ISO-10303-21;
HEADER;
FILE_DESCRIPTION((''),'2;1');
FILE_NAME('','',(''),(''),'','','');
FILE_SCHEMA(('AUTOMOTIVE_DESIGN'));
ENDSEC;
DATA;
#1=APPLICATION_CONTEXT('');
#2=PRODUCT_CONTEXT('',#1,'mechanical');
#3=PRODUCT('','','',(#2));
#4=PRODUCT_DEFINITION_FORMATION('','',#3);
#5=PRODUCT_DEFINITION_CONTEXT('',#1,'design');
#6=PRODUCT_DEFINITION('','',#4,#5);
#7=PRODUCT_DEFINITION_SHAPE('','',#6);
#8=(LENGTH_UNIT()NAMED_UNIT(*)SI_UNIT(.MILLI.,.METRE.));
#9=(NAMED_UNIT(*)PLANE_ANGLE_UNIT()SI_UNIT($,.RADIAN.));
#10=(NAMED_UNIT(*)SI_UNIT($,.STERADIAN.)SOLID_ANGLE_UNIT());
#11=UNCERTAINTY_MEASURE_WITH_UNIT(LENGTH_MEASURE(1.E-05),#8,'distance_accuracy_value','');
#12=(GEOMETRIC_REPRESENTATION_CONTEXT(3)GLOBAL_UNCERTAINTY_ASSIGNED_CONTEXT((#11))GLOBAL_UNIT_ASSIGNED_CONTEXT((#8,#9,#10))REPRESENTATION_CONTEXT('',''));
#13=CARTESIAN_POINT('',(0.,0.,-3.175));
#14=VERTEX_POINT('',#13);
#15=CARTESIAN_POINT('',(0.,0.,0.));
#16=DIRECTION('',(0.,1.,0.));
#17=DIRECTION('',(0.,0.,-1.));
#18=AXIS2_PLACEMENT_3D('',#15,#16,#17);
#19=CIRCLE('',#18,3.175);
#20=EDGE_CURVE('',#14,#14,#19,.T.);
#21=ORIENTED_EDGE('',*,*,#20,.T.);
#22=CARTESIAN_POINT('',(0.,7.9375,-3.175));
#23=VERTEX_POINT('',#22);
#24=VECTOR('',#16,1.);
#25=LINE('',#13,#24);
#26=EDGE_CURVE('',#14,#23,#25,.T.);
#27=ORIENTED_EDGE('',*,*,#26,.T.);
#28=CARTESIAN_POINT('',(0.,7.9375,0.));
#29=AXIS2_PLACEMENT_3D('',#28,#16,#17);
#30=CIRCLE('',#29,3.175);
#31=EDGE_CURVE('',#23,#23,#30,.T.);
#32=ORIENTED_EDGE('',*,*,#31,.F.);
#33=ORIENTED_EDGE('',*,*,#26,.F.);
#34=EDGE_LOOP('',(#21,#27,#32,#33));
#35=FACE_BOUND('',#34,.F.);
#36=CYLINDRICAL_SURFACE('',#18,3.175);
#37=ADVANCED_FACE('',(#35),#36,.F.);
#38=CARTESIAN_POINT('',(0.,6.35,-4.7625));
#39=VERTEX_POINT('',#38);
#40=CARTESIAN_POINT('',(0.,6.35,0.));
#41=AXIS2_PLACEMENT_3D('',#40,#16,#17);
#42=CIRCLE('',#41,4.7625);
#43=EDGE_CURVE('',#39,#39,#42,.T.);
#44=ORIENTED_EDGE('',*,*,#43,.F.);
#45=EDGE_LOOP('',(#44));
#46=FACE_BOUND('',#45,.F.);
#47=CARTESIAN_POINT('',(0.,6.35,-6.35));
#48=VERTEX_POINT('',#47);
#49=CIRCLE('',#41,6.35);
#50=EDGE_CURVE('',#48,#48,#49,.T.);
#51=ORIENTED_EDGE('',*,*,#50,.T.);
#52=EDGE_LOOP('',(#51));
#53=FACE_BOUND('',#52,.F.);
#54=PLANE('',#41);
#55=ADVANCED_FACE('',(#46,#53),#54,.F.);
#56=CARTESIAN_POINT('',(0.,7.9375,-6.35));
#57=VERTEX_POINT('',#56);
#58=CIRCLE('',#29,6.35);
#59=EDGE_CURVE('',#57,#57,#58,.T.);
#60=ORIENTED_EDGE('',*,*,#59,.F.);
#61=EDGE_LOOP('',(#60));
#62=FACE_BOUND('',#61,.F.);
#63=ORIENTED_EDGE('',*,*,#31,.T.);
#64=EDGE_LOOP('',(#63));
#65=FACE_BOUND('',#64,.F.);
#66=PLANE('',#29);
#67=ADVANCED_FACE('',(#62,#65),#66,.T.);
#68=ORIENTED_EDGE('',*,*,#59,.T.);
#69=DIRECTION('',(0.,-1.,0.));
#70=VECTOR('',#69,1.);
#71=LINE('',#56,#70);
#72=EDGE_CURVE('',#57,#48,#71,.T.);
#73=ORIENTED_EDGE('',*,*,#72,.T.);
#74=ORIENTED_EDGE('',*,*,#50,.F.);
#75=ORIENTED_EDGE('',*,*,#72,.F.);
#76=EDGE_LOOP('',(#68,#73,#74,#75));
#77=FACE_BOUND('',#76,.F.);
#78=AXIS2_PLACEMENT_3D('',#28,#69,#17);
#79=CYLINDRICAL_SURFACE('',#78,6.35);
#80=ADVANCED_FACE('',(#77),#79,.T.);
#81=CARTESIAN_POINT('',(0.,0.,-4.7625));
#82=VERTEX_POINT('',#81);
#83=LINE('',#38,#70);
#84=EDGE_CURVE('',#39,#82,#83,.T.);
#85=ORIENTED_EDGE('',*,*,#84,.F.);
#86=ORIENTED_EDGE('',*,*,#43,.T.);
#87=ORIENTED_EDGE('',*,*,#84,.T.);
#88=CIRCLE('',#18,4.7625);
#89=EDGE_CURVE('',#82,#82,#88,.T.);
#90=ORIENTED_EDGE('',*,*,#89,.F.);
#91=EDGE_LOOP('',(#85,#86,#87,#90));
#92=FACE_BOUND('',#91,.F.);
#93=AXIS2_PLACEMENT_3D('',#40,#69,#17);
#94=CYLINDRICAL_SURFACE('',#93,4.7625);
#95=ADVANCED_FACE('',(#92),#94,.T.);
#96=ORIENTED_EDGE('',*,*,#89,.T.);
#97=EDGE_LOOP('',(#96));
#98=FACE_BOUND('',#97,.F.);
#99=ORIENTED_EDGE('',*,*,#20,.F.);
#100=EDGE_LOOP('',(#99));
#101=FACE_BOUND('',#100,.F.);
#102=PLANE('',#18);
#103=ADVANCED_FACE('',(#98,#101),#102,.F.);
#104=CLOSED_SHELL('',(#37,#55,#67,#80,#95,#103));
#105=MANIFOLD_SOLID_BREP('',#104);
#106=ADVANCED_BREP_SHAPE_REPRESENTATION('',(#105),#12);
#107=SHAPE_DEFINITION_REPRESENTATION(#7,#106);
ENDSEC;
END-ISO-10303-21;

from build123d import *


with BuildPart() as part:
    # Sketch1 → Revolve1 (revolve)
    with BuildSketch(Plane(origin=(0, 0, 0), x_dir=(0, 0, -1), z_dir=(1, 0, 0))):
        Polygon((3.175, 0), (3.175, 7.9375), (6.35, 7.9375), (6.35, 6.35), (4.7625, 6.35), (4.7625, 0), align=None)
    revolve(axis=Axis((0, 0, 0), (0, 1, 0)))


solid = part.part
